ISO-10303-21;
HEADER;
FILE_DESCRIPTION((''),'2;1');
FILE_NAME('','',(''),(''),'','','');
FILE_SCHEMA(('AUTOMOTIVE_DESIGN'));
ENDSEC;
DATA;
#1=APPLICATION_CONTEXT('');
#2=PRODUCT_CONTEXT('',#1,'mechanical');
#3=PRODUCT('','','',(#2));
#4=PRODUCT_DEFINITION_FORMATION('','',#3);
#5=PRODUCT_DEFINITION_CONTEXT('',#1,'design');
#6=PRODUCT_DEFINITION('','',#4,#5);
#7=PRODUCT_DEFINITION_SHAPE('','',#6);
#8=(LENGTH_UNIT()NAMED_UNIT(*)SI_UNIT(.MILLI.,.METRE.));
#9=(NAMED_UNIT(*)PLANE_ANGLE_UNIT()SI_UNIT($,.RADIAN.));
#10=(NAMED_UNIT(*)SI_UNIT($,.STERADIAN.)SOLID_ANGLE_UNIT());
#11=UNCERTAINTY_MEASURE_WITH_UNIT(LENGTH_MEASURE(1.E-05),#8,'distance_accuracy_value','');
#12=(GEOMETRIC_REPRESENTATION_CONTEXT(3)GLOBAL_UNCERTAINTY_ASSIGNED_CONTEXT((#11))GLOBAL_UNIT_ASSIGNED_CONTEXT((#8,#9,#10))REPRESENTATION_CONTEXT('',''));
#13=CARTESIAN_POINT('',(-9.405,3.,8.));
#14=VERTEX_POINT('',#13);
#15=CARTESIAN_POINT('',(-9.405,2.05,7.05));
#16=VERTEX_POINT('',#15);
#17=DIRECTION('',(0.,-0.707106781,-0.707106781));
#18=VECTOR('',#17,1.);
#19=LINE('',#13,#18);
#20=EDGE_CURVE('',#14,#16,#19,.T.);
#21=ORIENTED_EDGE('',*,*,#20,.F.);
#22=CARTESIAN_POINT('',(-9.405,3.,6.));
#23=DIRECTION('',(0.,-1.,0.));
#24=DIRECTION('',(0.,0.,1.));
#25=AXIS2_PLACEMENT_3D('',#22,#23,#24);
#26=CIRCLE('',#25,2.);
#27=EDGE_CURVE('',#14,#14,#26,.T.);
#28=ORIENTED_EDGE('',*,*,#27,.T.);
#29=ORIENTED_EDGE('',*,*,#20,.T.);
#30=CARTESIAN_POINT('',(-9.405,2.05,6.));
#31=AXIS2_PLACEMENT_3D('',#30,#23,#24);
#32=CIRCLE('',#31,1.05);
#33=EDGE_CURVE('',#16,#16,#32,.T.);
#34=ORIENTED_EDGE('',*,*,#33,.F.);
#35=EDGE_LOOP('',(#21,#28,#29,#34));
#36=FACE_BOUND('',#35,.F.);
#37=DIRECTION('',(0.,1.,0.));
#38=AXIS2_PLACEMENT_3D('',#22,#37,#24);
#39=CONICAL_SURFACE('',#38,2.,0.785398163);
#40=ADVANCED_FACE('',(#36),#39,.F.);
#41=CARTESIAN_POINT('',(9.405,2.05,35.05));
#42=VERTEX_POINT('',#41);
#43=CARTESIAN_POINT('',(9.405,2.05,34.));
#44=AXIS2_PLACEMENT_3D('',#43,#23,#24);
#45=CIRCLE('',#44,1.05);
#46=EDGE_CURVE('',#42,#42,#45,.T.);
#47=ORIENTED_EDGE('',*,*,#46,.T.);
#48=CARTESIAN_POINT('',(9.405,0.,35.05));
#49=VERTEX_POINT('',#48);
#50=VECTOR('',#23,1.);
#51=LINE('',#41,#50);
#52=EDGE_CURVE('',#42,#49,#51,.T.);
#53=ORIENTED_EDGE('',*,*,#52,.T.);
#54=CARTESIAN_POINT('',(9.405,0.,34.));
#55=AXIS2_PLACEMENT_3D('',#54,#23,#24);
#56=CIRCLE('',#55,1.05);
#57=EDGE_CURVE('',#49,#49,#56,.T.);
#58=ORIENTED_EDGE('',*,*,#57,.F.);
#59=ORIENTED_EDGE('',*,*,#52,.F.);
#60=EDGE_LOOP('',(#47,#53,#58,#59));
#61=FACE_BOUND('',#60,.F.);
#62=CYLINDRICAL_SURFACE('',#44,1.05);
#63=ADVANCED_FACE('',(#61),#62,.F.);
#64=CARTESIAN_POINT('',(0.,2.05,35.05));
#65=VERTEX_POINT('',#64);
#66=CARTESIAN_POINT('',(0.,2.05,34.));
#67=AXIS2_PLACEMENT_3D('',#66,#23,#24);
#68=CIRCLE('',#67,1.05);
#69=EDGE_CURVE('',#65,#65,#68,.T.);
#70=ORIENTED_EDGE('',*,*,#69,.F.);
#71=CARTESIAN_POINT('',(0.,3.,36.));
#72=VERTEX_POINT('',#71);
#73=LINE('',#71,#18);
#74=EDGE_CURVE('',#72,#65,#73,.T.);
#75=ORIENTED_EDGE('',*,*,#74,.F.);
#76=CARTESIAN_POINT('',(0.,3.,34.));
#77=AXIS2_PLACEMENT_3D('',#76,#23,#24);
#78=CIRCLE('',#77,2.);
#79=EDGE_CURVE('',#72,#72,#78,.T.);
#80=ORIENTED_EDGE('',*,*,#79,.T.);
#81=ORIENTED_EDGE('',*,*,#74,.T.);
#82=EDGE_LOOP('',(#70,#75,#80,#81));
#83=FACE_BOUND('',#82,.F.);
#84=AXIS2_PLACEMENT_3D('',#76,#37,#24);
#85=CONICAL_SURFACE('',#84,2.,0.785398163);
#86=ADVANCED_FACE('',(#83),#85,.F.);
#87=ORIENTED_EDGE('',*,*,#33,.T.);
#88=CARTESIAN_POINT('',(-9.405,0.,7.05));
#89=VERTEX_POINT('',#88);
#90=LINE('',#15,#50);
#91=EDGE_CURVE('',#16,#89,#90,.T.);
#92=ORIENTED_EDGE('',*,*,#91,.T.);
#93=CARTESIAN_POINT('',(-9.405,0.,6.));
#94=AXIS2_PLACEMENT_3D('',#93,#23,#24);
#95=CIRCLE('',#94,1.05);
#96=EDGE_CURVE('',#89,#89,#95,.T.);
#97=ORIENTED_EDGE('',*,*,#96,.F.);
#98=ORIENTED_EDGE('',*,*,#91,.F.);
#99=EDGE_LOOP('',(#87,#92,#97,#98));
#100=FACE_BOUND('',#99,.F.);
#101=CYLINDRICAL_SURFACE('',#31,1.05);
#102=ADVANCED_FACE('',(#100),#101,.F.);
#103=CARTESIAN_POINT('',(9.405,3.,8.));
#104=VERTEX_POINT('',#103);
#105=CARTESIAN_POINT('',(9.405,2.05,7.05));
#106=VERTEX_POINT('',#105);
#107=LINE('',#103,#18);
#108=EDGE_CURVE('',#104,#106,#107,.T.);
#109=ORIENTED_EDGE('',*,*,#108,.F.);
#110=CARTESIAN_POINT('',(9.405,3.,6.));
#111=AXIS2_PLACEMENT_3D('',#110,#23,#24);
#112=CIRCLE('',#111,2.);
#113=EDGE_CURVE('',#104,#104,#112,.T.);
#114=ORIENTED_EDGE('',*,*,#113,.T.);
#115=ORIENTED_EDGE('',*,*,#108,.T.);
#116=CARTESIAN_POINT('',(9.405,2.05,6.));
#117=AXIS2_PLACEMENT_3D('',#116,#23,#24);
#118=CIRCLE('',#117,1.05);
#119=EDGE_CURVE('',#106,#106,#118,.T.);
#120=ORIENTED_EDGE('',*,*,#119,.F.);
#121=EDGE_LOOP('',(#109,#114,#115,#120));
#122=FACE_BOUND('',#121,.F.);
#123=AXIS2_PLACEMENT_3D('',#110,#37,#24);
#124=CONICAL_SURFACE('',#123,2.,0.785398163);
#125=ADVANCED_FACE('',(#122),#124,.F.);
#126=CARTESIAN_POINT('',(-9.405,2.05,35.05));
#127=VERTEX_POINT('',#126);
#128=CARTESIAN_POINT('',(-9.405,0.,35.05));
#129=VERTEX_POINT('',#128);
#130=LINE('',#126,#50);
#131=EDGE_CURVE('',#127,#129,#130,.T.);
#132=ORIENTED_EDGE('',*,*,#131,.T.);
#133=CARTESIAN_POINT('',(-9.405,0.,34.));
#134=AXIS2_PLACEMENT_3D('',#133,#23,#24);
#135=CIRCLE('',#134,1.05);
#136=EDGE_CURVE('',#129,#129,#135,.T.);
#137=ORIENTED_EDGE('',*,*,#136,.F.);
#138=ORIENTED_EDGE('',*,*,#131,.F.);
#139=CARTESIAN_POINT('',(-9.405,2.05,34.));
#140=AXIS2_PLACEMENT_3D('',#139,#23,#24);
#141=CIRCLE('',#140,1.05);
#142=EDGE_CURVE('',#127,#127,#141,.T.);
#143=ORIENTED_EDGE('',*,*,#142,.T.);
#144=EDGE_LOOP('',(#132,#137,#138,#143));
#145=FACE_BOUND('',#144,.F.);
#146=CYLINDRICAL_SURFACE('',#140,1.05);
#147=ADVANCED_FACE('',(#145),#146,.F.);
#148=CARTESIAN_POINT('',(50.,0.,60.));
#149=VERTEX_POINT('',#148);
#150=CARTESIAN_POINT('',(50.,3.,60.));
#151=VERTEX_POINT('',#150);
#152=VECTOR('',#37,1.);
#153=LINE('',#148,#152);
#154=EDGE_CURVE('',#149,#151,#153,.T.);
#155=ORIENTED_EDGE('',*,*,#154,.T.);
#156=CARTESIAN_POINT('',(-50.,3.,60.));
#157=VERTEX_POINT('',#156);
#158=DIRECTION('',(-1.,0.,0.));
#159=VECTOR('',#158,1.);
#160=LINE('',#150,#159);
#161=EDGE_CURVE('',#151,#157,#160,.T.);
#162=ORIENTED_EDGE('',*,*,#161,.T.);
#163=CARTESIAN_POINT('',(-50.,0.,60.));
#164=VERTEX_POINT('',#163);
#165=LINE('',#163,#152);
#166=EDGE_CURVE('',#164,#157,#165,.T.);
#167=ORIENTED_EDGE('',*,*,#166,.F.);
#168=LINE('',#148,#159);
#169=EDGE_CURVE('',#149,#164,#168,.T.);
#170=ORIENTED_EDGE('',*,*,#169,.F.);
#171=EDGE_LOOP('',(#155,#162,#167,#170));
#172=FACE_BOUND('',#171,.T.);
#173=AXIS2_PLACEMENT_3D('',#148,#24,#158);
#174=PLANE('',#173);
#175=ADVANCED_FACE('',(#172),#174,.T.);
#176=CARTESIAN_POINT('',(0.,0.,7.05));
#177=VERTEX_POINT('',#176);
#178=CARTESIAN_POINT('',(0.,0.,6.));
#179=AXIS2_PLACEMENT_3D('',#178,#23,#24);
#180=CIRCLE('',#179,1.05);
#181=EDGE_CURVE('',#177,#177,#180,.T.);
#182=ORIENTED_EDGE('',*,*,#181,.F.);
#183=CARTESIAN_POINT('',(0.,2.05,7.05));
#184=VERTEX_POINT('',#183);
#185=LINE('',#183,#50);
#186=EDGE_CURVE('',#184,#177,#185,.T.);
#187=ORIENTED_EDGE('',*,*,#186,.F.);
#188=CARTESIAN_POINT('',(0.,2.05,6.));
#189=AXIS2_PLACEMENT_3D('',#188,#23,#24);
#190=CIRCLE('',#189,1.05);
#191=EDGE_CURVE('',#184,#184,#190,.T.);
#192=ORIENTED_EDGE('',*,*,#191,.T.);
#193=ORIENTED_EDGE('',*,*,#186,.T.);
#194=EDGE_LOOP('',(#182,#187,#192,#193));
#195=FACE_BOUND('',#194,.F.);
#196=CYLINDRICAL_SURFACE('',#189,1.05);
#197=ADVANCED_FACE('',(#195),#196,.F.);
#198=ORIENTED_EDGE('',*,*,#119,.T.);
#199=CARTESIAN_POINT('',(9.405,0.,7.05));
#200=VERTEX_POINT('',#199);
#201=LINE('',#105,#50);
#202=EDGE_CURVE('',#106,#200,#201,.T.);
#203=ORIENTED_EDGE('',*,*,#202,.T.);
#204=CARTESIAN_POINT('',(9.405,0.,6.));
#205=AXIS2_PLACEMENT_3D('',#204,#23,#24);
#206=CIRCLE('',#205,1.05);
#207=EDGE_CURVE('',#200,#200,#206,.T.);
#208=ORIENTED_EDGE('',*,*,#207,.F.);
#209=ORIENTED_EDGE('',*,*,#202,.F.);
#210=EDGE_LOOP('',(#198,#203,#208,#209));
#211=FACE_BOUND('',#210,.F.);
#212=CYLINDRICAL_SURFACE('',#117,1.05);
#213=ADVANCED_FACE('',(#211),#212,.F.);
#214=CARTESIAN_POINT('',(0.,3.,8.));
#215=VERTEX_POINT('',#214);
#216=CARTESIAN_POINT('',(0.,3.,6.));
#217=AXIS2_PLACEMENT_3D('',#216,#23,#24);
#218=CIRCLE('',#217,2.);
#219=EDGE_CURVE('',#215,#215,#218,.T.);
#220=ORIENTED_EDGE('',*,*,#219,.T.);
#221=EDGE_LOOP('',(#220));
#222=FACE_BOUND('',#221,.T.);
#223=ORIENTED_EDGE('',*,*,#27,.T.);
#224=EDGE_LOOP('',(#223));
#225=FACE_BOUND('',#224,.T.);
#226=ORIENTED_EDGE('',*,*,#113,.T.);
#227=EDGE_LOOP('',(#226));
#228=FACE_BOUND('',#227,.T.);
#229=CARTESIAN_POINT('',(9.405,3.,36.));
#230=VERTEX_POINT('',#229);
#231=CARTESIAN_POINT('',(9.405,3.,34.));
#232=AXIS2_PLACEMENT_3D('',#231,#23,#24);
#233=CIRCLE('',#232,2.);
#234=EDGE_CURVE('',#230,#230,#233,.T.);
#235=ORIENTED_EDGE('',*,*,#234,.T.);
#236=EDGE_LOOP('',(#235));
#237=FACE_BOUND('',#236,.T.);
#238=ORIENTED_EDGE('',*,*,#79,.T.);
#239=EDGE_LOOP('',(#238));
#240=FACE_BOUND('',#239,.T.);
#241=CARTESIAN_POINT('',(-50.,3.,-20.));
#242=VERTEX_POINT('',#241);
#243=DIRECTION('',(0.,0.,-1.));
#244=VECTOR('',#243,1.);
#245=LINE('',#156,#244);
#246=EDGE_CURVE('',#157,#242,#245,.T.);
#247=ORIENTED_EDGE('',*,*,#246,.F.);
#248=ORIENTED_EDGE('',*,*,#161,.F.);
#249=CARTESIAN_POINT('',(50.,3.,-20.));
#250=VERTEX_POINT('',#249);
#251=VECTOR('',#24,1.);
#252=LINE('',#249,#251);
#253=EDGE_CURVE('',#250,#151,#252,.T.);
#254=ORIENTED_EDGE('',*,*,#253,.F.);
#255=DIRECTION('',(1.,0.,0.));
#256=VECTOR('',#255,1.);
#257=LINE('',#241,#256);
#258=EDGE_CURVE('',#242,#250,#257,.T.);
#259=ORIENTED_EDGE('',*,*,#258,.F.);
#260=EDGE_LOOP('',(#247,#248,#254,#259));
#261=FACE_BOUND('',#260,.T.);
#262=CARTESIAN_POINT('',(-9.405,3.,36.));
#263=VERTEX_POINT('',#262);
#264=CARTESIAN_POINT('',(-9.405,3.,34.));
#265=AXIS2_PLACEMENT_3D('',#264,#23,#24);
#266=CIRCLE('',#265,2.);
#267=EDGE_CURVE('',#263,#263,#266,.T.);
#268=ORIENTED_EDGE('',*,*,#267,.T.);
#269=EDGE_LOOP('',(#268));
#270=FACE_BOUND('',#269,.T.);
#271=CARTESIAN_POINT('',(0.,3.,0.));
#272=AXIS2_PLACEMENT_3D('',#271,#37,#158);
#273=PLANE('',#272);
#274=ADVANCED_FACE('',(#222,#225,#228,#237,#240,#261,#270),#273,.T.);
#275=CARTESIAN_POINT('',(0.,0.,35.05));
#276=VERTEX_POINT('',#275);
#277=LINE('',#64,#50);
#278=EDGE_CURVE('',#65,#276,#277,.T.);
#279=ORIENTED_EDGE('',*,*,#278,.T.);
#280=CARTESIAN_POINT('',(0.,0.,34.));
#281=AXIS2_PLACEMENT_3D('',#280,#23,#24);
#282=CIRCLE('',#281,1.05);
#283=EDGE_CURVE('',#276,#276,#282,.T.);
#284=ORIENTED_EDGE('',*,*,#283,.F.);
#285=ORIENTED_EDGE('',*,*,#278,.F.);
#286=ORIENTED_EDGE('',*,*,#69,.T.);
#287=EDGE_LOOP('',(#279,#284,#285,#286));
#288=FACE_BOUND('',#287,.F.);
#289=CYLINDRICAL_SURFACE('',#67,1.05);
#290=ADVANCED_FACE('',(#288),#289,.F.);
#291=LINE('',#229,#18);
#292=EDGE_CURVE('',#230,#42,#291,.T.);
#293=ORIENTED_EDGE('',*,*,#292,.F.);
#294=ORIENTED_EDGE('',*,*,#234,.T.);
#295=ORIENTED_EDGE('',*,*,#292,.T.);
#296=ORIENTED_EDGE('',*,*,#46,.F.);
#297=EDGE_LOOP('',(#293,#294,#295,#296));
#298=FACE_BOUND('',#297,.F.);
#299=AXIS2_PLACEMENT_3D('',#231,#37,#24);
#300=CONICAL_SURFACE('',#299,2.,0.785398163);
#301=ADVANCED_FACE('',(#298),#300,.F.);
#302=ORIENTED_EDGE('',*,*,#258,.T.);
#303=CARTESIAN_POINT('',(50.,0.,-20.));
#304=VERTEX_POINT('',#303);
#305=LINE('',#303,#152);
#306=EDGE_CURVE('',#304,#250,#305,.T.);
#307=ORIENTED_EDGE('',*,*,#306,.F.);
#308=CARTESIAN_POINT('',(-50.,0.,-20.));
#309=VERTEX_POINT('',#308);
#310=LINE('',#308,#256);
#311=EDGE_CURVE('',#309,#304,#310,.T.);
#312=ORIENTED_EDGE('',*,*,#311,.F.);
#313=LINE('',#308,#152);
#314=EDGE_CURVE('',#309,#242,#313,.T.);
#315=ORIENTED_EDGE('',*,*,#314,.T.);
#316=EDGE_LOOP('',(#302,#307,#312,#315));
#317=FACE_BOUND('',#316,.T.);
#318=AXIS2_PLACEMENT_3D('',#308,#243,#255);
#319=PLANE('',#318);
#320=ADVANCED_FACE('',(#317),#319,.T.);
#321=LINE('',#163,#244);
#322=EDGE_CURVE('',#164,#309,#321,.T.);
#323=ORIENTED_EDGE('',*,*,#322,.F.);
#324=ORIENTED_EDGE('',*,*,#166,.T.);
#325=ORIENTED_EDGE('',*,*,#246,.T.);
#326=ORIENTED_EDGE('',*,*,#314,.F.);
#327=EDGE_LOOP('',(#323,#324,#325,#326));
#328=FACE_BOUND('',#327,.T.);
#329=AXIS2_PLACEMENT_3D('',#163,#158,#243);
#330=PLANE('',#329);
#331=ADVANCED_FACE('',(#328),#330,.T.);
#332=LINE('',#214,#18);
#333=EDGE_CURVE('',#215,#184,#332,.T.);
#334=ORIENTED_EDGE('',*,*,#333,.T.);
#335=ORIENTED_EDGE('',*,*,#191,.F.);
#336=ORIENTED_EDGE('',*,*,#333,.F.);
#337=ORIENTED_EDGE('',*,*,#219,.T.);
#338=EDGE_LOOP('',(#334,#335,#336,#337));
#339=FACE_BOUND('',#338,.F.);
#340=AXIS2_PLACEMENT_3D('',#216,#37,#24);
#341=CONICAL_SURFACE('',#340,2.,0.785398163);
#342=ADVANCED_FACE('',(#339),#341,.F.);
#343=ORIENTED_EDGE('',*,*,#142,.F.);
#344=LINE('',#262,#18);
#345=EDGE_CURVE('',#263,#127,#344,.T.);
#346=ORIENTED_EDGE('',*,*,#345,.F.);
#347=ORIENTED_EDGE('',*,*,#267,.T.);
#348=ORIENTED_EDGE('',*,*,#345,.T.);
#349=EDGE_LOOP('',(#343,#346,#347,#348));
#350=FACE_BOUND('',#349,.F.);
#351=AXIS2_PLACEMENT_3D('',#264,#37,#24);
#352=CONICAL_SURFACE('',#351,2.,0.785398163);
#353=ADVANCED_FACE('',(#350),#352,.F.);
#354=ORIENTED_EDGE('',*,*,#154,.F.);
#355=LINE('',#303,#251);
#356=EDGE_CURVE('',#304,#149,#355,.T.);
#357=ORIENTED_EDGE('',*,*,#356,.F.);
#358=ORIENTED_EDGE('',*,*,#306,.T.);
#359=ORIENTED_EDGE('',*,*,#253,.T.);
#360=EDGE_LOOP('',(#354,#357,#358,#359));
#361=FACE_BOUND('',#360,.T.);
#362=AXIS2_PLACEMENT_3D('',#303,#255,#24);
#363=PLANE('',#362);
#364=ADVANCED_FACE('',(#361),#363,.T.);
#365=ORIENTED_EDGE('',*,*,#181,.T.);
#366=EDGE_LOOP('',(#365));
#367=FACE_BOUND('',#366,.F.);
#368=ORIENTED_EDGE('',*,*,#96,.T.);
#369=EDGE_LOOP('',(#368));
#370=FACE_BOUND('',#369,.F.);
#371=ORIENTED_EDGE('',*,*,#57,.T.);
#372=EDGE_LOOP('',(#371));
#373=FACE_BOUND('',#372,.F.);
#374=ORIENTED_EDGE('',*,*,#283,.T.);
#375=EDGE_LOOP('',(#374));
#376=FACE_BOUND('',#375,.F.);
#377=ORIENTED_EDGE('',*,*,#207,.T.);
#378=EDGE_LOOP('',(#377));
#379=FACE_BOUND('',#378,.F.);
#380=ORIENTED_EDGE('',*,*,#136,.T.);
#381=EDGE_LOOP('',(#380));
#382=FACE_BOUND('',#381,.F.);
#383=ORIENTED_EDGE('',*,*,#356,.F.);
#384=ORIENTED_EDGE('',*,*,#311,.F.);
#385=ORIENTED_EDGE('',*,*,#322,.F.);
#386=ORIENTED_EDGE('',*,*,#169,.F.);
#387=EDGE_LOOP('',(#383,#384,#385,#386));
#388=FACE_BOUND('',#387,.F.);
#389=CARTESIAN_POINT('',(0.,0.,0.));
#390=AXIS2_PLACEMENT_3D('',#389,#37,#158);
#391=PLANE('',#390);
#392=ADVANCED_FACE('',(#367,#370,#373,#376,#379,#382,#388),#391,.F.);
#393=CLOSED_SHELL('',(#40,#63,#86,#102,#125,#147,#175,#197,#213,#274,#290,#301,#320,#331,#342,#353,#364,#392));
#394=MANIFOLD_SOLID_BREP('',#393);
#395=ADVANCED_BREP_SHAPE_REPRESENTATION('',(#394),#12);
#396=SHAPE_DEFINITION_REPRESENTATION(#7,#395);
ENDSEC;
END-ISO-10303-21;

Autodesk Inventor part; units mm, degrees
ref_plane "YZ Plane" through (0, 0, 0) normal (1, 0, 0) x (0, 1, 0)
ref_plane "XZ Plane" through (0, 0, 0) normal (0, 1, 0) x (-1, 0, 0)
ref_plane "XY Plane" through (0, 0, 0) normal (0, 0, 1) x (1, 0, 0)
sketch "Sketch1" plane through (0, 0, 0) normal (0, 1, 0) x (-1, 0, 0)
  line L0 (50, -20) -> (-50, -20)
  line L1 (-50, -20) -> (-50, 60)
  line L2 (-50, 60) -> (50, 60)
  line L3 (50, 60) -> (50, -20)
  point P0 (0, 0)
  dimension "d0" = 100
  dimension "d1" = 80
  dimension "d2" = 20
  dimension "d3" = 50
extrude "Plate1" add sketch "Sketch1" along normal blind 3
sketch "Sketch3" plane through (0, 3, 0) normal (0, 1, 0) x (1, 0, 0)
  circle A0 centre (9.405, -34) radius 1.05 projected
  circle A1 centre (9.405, -6) radius 1.05 projected
  circle A2 centre (0, -34) radius 1.05 projected
  circle A3 centre (0, -6) radius 1.05 projected
  circle A4 centre (-9.405, -34) radius 1.05 projected
  circle A5 centre (-9.405, -6) radius 1.05 projected
  line L0 (15.405, 0) -> (15.405, -40) projected
  line L1 (-15.405, -40) -> (15.405, -40) projected
  line L2 (-15.405, -40) -> (-15.405, 0) projected
  line L3 (15.405, 0) -> (-15.405, 0) projected
  point P0 (0, 0)
hole "Hole1" at (-9.405, 3, 6) at (0, 3, 6) at (9.405, 3, 6) at (9.405, 3, 34) at (0, 3, 34) at (-9.405, 3, 34) direction (0, -1, 0) diameter 2.1 depth 3 countersink diameter 4 countersink angle 90
equation "\"d20\" = Thickness"
equation "\"d4\" = Thickness"
equation "\"BendReliefWidth\" = Thickness"
equation "\"BendReliefDepth\" = 0.5 * Thickness"
equation "\"CornerReliefSize\" = 4 * Thickness"
equation "\"MinimumRemnant\" = 2 * Thickness"
equation "\"TransitionRadius\" = BendRadius"
equation "\"JacobiRadiusSize\" = BendRadius"
equation "\"GapSize\" = Thickness"
equation "\"Thickness\" = 3"
equation "\"BendRadius\" = 0.31"
properties part number "axis_12_bottom_frame(bottom)" material "Aluminum 6061-AHC"
